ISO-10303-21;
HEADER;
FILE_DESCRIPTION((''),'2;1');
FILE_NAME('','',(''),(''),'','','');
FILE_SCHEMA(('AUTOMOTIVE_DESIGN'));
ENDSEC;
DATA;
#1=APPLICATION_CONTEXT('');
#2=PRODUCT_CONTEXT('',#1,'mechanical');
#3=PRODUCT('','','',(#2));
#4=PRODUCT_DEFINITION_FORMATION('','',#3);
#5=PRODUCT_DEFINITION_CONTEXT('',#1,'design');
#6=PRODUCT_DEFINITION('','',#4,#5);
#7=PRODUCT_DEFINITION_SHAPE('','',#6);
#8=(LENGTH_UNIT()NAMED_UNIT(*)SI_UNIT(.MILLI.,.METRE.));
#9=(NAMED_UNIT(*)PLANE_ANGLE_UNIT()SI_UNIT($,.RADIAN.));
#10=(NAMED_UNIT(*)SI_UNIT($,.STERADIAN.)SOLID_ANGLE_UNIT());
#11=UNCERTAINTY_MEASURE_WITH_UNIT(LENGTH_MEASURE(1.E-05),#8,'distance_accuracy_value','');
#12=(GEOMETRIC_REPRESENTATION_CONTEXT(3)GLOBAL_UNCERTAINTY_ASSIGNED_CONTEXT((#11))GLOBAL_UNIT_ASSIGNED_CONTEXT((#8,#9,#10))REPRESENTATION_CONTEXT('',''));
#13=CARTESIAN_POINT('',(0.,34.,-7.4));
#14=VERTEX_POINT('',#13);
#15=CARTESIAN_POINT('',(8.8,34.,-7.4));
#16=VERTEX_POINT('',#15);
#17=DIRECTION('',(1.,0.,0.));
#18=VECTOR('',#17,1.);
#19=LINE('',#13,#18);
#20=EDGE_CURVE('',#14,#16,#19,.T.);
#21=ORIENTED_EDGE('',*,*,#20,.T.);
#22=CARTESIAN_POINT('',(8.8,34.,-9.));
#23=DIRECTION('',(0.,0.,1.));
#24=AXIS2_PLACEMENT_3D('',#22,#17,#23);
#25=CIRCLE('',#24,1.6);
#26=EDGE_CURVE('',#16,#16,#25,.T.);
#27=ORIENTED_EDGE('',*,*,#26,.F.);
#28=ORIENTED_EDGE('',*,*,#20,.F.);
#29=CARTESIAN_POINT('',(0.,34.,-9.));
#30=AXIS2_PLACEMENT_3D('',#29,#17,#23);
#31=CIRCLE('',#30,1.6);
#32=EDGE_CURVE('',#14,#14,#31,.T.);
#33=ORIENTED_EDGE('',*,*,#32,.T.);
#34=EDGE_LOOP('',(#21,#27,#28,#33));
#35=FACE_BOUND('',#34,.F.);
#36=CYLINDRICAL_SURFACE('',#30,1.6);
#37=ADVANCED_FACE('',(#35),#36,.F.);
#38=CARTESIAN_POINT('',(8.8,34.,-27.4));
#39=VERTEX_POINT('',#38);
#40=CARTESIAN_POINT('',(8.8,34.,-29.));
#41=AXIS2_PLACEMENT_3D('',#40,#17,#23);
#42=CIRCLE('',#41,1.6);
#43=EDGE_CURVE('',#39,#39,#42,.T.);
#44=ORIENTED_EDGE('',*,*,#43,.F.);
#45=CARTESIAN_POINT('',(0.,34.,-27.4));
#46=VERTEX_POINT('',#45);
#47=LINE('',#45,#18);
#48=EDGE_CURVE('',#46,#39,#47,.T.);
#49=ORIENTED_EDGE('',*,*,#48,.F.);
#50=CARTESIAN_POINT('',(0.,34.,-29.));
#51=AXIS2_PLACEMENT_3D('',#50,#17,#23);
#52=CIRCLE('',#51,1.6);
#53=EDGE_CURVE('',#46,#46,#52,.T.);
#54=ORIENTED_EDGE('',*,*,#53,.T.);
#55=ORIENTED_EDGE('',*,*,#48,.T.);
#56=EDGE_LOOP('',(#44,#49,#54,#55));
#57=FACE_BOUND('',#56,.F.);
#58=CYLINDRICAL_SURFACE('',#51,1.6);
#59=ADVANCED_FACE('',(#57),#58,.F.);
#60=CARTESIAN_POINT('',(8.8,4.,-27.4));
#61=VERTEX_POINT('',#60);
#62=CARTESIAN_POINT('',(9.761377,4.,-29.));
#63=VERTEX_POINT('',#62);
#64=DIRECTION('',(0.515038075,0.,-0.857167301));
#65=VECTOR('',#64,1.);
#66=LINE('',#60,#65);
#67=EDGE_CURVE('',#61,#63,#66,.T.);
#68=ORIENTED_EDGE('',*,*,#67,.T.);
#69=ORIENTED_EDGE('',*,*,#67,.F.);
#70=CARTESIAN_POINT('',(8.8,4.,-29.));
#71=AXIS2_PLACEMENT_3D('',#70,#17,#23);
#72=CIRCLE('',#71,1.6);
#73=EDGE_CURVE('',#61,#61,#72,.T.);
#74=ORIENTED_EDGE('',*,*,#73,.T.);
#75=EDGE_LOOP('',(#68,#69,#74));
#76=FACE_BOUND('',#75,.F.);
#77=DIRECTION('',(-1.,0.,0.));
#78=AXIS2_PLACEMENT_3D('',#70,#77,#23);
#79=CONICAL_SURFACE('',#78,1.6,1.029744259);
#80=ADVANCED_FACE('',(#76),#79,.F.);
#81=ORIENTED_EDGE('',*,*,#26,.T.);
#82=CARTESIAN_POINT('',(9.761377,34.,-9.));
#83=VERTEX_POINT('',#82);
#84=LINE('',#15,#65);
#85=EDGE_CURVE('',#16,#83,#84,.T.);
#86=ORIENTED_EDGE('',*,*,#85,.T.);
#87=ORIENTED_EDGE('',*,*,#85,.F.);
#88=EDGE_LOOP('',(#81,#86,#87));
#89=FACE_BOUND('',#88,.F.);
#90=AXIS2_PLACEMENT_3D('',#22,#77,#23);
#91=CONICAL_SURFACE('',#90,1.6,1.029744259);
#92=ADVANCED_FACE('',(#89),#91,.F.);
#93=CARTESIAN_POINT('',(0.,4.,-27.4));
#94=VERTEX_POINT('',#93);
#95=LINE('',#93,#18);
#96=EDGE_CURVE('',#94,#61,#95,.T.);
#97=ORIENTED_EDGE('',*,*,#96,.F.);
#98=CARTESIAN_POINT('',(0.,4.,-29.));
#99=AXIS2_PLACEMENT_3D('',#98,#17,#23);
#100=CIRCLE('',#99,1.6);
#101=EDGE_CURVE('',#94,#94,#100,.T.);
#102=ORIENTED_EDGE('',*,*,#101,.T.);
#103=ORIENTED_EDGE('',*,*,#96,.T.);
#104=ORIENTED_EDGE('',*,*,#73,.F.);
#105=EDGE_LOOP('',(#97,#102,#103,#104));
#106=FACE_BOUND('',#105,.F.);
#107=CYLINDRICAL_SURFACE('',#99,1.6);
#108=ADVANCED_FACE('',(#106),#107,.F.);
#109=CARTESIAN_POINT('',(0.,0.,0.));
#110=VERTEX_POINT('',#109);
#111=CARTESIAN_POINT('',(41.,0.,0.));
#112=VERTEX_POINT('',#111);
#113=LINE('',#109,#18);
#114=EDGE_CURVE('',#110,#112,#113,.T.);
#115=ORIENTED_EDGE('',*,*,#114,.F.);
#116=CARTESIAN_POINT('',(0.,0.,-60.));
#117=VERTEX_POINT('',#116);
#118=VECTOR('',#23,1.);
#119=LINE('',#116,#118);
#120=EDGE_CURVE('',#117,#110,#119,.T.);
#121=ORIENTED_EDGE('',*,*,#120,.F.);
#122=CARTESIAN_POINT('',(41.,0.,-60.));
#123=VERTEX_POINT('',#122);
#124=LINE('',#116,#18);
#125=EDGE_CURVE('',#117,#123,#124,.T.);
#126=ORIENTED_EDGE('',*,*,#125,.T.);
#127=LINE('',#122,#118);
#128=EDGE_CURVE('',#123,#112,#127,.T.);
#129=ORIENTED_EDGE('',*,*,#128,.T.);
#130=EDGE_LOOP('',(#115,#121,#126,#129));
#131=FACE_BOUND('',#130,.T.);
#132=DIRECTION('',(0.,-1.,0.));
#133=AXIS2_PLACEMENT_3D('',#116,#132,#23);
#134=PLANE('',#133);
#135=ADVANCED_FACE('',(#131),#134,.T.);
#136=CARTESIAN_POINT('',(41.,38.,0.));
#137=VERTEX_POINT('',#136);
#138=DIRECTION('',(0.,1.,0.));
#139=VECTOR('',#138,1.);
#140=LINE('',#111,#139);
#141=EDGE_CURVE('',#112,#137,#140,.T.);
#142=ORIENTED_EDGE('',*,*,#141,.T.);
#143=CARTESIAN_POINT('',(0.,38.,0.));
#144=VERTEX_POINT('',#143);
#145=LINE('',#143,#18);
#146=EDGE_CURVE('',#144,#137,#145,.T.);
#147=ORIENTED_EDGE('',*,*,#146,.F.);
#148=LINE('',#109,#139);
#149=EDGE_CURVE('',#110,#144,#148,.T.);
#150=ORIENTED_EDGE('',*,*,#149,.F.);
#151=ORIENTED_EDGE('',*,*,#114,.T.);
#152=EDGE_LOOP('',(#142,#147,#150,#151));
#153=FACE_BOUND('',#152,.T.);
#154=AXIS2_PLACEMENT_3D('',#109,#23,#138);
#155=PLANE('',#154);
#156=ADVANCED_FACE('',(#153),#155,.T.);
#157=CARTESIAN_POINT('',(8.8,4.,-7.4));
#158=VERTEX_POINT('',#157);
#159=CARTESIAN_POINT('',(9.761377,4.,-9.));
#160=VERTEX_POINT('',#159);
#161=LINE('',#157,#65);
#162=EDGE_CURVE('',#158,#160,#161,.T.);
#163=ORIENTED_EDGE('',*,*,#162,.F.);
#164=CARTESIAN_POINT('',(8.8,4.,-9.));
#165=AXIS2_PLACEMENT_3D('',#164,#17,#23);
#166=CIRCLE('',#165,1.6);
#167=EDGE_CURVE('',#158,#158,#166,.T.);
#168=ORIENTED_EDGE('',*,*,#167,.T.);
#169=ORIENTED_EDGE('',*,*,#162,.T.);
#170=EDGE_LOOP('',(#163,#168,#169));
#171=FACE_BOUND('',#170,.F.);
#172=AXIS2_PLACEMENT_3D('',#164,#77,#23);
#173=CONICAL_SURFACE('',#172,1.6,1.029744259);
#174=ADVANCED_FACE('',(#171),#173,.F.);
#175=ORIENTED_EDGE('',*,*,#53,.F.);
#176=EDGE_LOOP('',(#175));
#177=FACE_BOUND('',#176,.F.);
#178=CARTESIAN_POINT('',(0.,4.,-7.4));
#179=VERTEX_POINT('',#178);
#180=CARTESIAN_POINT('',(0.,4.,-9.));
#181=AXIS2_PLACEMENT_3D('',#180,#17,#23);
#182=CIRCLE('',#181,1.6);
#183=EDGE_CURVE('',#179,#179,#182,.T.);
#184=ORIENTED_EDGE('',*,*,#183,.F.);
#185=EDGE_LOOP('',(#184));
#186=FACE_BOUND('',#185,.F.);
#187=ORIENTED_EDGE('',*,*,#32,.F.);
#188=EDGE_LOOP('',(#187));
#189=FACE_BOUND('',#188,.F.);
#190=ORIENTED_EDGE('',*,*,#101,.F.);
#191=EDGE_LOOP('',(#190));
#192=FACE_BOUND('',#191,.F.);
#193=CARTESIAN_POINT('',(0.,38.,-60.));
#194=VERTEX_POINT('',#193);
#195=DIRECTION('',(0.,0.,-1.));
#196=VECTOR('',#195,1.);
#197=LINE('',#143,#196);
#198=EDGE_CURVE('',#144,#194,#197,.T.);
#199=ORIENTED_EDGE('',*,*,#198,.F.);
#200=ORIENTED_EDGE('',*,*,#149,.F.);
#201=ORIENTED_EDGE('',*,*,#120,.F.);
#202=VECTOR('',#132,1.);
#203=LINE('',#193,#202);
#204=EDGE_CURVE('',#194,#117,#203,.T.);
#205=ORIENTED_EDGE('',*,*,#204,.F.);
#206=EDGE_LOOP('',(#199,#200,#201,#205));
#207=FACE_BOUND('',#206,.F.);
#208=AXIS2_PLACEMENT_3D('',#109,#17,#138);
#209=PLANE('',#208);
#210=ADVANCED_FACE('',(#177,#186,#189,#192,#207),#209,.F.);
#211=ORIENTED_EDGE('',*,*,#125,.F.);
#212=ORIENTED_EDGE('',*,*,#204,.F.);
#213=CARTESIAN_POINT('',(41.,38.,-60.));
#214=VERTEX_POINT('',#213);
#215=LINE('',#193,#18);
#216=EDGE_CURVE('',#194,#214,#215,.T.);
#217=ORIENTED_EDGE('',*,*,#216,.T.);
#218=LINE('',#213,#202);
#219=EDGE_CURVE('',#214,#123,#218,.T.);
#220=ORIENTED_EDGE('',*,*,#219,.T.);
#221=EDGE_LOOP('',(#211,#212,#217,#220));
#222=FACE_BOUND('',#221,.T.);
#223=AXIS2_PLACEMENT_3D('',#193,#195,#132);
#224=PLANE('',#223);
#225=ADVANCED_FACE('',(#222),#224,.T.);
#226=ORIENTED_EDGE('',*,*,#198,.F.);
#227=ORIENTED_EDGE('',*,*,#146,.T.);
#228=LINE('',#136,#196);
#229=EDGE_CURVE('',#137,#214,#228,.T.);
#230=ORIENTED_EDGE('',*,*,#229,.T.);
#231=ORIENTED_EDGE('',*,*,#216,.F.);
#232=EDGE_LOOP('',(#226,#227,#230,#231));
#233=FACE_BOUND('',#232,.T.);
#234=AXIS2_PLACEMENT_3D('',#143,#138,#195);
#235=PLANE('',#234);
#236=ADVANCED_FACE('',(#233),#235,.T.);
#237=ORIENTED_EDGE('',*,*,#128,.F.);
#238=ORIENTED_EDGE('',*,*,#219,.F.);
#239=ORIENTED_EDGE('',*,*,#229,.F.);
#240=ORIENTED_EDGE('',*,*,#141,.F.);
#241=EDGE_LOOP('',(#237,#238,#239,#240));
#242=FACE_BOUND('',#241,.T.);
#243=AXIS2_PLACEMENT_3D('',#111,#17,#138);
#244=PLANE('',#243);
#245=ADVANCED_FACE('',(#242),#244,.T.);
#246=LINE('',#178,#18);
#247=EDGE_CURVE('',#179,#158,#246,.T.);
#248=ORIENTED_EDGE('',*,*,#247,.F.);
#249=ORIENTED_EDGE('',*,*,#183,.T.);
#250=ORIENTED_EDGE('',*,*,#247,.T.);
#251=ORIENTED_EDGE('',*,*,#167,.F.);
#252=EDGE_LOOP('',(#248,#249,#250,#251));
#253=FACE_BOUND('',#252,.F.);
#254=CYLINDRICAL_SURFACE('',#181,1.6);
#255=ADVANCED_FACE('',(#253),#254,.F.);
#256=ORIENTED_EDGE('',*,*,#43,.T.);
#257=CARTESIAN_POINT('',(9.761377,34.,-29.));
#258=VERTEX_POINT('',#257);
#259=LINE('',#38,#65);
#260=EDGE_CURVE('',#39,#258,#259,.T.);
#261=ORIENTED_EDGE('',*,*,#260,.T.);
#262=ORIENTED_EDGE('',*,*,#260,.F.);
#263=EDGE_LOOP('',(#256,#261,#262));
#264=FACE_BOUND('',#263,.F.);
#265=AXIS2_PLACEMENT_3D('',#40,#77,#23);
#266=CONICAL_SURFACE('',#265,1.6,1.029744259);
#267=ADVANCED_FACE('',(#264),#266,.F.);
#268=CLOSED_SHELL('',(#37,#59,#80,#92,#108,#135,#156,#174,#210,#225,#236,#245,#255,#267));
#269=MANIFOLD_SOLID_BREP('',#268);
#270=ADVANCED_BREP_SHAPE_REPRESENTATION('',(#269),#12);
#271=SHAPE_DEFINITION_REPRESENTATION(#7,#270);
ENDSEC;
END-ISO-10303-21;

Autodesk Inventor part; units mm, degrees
ref_plane "YZ Plane" through (0, 0, 0) normal (1, 0, 0) x (0, 1, 0)
ref_plane "XZ Plane" through (0, 0, 0) normal (0, 1, 0) x (-1, 0, 0)
ref_plane "XY Plane" through (0, 0, 0) normal (0, 0, 1) x (1, 0, 0)
sketch "スケッチ1" plane through (0, 0, 0) normal (1, 0, 0) x (0, 1, 0)
  line L0 (0, 0) -> (38, 0)
  line L1 (38, 0) -> (38, -60)
  line L2 (38, -60) -> (0, -60)
  line L3 (0, -60) -> (0, 0)
  dimension "d0" = 60
  dimension "d1" = 38
extrude "押し出し1" add sketch "スケッチ1" along normal blind 41
sketch "スケッチ4" plane through (0, 0, 0) normal (-1, 0, 0) x (0, 0, 1)
  line L0 (0, 0) -> (-60, 0) projected
  line L1 (0, 38) -> (0, 0) projected
  point P0 (-29, 34)
  point P1 (-9, 34)
  point P2 (-9, 4)
  point P3 (-29, 4)
  dimension "d4" = 20
  dimension "d5" = 30
  dimension "d7" = 9
  dimension "d15" = 4
hole "穴1" at (0, 34, -29) at (0, 34, -9) at (0, 4, -9) at (0, 4, -29) direction (1, 0, 0) diameter 3.2 depth 8.8 tip angle 118
